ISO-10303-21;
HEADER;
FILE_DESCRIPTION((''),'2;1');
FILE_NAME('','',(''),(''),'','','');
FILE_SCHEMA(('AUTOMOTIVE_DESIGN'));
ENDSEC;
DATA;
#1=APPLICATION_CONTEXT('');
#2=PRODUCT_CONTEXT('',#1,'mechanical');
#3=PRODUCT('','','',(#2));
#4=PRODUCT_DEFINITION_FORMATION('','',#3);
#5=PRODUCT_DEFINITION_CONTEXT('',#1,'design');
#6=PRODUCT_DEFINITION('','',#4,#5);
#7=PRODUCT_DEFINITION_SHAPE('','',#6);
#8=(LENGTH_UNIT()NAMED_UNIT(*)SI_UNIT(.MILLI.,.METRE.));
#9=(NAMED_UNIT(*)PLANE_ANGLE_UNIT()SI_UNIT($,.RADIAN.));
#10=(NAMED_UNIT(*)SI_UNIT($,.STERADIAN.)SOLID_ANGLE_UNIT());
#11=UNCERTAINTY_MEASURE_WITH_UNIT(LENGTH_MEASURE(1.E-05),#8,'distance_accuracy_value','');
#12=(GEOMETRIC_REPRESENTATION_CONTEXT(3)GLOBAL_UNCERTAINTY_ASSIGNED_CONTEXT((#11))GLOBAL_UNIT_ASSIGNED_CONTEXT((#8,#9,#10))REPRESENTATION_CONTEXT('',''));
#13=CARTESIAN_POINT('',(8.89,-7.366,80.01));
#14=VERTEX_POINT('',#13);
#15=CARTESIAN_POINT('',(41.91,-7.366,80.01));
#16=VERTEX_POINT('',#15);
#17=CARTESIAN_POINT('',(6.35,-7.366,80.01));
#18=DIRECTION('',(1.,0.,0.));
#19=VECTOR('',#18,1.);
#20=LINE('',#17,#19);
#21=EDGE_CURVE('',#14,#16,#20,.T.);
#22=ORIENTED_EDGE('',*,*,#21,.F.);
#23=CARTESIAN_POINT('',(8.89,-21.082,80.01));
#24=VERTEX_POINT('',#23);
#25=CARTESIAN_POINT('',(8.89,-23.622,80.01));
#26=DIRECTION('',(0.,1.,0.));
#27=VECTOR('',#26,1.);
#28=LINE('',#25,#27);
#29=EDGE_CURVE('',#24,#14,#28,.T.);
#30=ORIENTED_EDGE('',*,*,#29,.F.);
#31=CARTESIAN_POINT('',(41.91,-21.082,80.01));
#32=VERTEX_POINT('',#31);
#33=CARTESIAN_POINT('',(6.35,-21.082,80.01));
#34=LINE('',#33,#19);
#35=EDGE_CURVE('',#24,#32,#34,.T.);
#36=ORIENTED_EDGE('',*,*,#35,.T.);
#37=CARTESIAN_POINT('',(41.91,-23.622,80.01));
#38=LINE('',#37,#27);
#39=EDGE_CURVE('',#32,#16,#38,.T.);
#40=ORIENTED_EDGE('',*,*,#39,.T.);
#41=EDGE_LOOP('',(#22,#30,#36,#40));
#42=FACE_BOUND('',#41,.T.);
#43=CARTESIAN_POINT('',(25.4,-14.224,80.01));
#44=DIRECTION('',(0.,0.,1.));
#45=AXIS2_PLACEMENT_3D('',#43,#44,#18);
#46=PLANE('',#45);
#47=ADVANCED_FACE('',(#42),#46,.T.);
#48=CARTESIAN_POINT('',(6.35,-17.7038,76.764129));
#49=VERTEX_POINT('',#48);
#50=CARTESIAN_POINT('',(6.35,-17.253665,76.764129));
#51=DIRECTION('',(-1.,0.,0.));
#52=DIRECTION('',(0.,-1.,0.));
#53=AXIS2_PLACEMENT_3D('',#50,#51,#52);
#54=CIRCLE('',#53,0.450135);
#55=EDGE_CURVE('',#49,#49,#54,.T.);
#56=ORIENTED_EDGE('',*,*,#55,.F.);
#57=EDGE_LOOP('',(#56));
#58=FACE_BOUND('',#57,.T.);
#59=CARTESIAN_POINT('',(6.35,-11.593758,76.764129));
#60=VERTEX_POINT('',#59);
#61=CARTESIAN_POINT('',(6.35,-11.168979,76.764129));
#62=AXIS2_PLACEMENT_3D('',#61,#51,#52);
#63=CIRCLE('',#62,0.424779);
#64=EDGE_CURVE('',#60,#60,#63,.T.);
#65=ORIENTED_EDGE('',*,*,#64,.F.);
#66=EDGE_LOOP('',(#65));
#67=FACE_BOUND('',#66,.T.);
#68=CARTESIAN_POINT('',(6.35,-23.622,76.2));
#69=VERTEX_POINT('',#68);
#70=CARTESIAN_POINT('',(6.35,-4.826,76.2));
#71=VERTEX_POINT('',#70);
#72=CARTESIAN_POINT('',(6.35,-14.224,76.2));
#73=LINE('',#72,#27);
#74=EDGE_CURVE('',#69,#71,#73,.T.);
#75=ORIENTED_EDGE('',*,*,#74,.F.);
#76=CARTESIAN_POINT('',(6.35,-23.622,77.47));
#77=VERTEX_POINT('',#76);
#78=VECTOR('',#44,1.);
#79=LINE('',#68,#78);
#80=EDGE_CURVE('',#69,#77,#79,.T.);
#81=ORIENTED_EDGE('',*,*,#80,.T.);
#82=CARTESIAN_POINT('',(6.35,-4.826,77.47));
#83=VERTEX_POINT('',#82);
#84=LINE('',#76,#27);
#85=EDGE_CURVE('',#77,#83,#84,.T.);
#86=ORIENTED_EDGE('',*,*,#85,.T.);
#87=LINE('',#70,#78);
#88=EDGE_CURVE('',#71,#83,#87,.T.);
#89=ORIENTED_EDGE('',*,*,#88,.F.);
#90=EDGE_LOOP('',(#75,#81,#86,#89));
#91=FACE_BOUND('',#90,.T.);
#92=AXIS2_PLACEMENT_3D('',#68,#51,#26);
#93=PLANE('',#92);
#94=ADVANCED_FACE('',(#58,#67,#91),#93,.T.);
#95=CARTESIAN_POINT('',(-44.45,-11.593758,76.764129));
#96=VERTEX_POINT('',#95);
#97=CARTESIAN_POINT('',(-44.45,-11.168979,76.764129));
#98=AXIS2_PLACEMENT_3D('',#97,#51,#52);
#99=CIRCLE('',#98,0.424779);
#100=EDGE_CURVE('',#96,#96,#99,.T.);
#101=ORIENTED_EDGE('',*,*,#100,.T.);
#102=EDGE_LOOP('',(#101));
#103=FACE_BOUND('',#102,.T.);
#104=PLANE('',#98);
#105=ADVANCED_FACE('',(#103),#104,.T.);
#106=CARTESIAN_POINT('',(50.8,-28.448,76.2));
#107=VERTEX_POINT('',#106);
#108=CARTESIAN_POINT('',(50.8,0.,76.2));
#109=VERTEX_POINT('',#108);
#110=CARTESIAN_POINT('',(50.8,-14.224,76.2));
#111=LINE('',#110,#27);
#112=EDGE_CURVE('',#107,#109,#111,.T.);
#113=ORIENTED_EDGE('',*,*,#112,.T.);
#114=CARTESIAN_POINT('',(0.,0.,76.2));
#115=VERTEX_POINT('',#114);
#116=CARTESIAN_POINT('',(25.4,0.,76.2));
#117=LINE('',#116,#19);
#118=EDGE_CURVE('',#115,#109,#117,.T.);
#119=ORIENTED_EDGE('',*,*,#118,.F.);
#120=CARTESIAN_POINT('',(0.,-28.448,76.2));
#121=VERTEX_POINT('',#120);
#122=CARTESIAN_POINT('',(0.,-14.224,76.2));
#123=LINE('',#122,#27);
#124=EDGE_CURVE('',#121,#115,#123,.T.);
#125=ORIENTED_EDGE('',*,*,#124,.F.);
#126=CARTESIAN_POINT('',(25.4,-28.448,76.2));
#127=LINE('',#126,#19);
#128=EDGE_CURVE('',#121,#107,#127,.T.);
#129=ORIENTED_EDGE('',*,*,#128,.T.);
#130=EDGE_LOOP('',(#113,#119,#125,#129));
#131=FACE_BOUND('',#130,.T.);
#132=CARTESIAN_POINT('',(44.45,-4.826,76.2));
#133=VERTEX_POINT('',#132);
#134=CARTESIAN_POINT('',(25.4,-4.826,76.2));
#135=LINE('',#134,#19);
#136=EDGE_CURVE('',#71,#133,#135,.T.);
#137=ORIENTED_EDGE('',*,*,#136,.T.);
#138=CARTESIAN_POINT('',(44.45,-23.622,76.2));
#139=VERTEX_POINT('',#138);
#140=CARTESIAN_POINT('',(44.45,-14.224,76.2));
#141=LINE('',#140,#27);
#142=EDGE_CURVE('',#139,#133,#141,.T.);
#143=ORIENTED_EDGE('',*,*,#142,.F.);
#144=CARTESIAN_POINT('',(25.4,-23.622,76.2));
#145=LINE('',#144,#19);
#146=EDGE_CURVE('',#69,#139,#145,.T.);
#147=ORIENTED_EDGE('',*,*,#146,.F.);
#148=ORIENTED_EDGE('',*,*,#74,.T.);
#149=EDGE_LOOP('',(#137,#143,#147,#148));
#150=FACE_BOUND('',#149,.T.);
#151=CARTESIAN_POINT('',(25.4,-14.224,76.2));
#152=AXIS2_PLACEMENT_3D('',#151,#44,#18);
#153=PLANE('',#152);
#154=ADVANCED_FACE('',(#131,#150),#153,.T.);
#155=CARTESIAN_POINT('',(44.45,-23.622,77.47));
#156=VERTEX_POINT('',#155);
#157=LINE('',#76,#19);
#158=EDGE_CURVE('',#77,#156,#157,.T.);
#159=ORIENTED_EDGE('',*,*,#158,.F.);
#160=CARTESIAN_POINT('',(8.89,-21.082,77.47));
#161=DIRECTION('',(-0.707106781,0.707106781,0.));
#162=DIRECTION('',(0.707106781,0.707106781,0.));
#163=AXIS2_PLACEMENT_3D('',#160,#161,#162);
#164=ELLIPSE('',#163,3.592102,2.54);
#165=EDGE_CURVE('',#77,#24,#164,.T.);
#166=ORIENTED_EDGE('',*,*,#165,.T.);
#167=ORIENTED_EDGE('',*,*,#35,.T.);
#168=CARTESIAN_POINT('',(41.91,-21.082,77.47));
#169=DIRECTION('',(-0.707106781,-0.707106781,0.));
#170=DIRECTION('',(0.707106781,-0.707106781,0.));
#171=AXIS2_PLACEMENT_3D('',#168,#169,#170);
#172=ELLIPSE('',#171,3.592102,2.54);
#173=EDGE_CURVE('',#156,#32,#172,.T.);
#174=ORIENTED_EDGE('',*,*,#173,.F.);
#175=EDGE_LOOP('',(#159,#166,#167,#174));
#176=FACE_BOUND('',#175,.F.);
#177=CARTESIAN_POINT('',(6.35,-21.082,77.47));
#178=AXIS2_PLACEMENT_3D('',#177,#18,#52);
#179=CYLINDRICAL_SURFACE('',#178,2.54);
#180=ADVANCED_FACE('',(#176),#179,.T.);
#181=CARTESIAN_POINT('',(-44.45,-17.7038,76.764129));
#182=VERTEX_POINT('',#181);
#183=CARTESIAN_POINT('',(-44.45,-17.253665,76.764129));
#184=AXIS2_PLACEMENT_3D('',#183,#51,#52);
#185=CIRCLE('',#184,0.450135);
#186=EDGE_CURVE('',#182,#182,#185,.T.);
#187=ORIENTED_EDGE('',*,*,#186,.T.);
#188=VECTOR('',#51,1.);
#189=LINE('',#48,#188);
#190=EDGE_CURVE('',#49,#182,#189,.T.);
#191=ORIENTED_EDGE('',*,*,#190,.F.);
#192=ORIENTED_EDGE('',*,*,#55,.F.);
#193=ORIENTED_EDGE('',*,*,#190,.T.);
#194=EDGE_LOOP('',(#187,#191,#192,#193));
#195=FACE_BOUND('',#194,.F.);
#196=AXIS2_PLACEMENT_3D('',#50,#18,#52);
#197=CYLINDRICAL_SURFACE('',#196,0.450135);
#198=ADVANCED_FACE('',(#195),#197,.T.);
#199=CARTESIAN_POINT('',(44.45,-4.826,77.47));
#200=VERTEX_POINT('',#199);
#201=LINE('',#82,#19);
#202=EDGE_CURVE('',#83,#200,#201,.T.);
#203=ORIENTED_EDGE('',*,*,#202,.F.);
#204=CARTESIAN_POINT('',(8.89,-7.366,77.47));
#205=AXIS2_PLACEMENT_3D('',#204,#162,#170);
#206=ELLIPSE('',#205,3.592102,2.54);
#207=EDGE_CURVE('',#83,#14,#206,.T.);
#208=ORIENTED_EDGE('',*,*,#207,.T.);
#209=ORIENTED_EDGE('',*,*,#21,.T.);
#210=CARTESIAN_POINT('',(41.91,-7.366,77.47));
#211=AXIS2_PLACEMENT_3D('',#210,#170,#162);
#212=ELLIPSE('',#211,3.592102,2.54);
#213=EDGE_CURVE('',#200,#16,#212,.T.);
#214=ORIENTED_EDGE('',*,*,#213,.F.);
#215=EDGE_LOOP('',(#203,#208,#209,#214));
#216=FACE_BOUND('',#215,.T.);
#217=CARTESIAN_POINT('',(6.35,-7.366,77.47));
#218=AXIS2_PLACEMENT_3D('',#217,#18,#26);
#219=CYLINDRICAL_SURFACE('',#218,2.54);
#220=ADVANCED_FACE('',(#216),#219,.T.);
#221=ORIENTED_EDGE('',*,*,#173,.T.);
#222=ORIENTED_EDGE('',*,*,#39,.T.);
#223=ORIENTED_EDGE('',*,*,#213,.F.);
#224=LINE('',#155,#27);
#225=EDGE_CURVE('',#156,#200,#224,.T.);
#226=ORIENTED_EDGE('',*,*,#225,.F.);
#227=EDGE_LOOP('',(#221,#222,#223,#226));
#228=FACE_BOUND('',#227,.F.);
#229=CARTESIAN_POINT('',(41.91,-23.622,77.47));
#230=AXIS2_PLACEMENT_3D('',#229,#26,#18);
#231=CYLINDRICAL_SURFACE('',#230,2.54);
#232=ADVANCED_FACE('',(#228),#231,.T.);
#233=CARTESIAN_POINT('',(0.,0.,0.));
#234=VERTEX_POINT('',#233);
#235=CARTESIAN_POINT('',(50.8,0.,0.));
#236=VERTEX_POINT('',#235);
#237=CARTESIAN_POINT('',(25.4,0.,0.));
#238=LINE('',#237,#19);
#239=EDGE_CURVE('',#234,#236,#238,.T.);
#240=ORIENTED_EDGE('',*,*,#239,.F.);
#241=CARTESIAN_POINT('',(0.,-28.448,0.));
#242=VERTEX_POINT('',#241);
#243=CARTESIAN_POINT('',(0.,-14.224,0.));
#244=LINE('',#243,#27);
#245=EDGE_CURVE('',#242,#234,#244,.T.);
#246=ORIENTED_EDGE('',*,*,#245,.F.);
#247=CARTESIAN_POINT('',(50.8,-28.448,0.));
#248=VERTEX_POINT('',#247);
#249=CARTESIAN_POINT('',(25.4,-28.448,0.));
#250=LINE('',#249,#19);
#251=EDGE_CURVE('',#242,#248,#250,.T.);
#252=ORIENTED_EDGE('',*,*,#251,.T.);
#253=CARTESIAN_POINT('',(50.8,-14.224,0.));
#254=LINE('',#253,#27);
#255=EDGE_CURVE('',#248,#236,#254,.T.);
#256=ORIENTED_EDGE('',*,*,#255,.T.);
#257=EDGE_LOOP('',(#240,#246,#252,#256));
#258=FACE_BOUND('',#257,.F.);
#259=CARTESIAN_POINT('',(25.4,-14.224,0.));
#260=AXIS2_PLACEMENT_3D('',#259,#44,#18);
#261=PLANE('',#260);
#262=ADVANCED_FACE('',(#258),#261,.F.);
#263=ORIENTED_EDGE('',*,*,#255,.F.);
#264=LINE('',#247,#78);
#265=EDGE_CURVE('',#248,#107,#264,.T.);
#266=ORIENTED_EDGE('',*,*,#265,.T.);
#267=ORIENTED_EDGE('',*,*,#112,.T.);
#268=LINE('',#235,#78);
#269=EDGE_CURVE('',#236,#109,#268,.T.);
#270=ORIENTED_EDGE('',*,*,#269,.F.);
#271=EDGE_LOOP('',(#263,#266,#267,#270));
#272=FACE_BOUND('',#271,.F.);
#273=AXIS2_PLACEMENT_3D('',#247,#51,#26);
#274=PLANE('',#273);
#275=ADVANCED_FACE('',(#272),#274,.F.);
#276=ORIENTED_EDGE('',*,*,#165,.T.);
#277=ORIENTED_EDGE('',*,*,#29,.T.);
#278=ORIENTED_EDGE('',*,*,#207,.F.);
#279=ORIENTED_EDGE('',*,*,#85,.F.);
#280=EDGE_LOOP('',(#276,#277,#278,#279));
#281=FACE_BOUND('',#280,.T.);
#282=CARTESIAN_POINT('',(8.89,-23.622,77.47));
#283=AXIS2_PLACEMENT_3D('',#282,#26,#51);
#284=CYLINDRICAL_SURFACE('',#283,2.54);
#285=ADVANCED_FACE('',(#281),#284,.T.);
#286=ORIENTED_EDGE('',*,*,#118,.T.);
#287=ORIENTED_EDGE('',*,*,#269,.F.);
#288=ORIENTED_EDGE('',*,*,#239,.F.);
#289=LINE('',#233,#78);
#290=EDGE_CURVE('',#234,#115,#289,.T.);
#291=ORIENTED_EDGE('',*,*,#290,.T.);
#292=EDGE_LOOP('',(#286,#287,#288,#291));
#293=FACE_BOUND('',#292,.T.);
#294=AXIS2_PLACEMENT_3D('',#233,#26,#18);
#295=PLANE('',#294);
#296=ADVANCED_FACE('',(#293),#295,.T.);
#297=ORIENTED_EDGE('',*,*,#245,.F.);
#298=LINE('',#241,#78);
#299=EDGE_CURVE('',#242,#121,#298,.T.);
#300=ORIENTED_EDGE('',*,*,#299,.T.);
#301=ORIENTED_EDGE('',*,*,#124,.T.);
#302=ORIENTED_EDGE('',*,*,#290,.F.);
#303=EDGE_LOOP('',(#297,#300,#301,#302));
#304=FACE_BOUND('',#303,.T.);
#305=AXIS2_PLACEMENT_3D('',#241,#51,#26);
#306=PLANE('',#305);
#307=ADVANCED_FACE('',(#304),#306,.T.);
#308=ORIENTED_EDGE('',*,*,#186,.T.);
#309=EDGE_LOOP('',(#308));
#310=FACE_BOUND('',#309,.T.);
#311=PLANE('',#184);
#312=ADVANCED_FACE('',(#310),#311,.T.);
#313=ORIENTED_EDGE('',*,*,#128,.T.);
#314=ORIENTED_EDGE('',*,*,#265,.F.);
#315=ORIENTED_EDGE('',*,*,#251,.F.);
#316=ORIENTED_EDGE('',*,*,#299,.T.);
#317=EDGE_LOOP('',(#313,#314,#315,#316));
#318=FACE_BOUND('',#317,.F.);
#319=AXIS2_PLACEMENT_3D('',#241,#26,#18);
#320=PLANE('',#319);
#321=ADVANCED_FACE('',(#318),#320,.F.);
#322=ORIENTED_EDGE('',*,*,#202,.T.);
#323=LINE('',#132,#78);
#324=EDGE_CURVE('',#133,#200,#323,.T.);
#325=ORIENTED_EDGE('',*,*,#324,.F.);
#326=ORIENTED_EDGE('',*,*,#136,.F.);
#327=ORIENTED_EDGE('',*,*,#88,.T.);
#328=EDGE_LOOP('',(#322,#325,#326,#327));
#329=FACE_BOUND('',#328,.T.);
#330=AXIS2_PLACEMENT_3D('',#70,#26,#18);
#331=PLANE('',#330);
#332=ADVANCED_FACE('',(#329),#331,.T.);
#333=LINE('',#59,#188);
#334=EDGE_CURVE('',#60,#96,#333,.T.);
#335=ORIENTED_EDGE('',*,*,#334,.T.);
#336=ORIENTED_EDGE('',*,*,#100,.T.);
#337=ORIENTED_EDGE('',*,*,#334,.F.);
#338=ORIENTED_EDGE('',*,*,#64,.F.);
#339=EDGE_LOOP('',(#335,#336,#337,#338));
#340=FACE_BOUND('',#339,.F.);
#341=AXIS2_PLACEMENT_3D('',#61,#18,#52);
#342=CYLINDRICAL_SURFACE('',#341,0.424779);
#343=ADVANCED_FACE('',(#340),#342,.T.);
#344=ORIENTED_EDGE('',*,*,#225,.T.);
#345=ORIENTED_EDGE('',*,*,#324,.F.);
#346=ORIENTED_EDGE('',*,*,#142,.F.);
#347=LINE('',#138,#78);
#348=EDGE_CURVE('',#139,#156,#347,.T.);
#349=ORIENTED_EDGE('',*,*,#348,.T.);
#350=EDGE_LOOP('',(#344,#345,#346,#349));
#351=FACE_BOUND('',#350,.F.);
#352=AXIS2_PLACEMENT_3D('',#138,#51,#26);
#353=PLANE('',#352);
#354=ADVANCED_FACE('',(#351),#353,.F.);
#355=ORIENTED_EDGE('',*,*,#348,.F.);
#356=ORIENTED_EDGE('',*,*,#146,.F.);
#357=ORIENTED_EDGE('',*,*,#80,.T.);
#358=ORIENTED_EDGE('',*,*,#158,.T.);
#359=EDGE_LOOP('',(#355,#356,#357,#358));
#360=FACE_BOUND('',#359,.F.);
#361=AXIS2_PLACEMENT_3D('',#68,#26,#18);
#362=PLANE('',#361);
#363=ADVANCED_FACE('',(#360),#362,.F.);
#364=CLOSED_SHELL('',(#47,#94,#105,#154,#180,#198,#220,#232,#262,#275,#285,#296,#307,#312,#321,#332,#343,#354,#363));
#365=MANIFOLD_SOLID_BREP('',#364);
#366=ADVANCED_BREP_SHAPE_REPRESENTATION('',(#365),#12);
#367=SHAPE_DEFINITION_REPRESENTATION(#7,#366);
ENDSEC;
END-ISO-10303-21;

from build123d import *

# Parameters (mm, degrees)
F0_W     = 50.8
F0_H     = 28.448
F1_DEPTH = 76.2
F2_W     = 38.1
F2_H     = 18.796
F3_DEPTH = 3.81
F4_R     = 2.54
F5_R     = 0.424779
F5_R_2   = 0.450135
F6_DEPTH = 50.8


with BuildPart() as f1:
    # F0 (on Top) → F1 (new body)
    with BuildSketch(Plane.XY):
        with Locations((25.4, -14.224)):
            Rectangle(F0_W, F0_H)
    extrude(amount=F1_DEPTH)

    # F2 (on face) → F3 (join)
    with BuildSketch(Plane.XY.offset(76.2)):
        with Locations((25.4, -14.224)):
            Rectangle(F2_W, F2_H)
    extrude(amount=F3_DEPTH)

    # F4
    f4_edges = [f1.edges().sort_by_distance(p)[0] for p in [
        (25.4, -4.826, 80.01),
        (25.4, -23.622, 80.01),
        (6.35, -14.224, 80.01),
        (44.45, -14.224, 80.01),
    ]]
    fillet(f4_edges, radius=F4_R)

    # F5 (on face) → F6 (join)
    with BuildSketch(Plane(origin=(6.35, 0, 0), x_dir=(0, -1, 0), z_dir=(-1, 0, 0))):
        with Locations((11.168979, 76.764129)):
            Circle(F5_R)
        with Locations((17.253665, 76.764129)):
            Circle(F5_R_2)
    extrude(amount=F6_DEPTH)


solid = f1.part
